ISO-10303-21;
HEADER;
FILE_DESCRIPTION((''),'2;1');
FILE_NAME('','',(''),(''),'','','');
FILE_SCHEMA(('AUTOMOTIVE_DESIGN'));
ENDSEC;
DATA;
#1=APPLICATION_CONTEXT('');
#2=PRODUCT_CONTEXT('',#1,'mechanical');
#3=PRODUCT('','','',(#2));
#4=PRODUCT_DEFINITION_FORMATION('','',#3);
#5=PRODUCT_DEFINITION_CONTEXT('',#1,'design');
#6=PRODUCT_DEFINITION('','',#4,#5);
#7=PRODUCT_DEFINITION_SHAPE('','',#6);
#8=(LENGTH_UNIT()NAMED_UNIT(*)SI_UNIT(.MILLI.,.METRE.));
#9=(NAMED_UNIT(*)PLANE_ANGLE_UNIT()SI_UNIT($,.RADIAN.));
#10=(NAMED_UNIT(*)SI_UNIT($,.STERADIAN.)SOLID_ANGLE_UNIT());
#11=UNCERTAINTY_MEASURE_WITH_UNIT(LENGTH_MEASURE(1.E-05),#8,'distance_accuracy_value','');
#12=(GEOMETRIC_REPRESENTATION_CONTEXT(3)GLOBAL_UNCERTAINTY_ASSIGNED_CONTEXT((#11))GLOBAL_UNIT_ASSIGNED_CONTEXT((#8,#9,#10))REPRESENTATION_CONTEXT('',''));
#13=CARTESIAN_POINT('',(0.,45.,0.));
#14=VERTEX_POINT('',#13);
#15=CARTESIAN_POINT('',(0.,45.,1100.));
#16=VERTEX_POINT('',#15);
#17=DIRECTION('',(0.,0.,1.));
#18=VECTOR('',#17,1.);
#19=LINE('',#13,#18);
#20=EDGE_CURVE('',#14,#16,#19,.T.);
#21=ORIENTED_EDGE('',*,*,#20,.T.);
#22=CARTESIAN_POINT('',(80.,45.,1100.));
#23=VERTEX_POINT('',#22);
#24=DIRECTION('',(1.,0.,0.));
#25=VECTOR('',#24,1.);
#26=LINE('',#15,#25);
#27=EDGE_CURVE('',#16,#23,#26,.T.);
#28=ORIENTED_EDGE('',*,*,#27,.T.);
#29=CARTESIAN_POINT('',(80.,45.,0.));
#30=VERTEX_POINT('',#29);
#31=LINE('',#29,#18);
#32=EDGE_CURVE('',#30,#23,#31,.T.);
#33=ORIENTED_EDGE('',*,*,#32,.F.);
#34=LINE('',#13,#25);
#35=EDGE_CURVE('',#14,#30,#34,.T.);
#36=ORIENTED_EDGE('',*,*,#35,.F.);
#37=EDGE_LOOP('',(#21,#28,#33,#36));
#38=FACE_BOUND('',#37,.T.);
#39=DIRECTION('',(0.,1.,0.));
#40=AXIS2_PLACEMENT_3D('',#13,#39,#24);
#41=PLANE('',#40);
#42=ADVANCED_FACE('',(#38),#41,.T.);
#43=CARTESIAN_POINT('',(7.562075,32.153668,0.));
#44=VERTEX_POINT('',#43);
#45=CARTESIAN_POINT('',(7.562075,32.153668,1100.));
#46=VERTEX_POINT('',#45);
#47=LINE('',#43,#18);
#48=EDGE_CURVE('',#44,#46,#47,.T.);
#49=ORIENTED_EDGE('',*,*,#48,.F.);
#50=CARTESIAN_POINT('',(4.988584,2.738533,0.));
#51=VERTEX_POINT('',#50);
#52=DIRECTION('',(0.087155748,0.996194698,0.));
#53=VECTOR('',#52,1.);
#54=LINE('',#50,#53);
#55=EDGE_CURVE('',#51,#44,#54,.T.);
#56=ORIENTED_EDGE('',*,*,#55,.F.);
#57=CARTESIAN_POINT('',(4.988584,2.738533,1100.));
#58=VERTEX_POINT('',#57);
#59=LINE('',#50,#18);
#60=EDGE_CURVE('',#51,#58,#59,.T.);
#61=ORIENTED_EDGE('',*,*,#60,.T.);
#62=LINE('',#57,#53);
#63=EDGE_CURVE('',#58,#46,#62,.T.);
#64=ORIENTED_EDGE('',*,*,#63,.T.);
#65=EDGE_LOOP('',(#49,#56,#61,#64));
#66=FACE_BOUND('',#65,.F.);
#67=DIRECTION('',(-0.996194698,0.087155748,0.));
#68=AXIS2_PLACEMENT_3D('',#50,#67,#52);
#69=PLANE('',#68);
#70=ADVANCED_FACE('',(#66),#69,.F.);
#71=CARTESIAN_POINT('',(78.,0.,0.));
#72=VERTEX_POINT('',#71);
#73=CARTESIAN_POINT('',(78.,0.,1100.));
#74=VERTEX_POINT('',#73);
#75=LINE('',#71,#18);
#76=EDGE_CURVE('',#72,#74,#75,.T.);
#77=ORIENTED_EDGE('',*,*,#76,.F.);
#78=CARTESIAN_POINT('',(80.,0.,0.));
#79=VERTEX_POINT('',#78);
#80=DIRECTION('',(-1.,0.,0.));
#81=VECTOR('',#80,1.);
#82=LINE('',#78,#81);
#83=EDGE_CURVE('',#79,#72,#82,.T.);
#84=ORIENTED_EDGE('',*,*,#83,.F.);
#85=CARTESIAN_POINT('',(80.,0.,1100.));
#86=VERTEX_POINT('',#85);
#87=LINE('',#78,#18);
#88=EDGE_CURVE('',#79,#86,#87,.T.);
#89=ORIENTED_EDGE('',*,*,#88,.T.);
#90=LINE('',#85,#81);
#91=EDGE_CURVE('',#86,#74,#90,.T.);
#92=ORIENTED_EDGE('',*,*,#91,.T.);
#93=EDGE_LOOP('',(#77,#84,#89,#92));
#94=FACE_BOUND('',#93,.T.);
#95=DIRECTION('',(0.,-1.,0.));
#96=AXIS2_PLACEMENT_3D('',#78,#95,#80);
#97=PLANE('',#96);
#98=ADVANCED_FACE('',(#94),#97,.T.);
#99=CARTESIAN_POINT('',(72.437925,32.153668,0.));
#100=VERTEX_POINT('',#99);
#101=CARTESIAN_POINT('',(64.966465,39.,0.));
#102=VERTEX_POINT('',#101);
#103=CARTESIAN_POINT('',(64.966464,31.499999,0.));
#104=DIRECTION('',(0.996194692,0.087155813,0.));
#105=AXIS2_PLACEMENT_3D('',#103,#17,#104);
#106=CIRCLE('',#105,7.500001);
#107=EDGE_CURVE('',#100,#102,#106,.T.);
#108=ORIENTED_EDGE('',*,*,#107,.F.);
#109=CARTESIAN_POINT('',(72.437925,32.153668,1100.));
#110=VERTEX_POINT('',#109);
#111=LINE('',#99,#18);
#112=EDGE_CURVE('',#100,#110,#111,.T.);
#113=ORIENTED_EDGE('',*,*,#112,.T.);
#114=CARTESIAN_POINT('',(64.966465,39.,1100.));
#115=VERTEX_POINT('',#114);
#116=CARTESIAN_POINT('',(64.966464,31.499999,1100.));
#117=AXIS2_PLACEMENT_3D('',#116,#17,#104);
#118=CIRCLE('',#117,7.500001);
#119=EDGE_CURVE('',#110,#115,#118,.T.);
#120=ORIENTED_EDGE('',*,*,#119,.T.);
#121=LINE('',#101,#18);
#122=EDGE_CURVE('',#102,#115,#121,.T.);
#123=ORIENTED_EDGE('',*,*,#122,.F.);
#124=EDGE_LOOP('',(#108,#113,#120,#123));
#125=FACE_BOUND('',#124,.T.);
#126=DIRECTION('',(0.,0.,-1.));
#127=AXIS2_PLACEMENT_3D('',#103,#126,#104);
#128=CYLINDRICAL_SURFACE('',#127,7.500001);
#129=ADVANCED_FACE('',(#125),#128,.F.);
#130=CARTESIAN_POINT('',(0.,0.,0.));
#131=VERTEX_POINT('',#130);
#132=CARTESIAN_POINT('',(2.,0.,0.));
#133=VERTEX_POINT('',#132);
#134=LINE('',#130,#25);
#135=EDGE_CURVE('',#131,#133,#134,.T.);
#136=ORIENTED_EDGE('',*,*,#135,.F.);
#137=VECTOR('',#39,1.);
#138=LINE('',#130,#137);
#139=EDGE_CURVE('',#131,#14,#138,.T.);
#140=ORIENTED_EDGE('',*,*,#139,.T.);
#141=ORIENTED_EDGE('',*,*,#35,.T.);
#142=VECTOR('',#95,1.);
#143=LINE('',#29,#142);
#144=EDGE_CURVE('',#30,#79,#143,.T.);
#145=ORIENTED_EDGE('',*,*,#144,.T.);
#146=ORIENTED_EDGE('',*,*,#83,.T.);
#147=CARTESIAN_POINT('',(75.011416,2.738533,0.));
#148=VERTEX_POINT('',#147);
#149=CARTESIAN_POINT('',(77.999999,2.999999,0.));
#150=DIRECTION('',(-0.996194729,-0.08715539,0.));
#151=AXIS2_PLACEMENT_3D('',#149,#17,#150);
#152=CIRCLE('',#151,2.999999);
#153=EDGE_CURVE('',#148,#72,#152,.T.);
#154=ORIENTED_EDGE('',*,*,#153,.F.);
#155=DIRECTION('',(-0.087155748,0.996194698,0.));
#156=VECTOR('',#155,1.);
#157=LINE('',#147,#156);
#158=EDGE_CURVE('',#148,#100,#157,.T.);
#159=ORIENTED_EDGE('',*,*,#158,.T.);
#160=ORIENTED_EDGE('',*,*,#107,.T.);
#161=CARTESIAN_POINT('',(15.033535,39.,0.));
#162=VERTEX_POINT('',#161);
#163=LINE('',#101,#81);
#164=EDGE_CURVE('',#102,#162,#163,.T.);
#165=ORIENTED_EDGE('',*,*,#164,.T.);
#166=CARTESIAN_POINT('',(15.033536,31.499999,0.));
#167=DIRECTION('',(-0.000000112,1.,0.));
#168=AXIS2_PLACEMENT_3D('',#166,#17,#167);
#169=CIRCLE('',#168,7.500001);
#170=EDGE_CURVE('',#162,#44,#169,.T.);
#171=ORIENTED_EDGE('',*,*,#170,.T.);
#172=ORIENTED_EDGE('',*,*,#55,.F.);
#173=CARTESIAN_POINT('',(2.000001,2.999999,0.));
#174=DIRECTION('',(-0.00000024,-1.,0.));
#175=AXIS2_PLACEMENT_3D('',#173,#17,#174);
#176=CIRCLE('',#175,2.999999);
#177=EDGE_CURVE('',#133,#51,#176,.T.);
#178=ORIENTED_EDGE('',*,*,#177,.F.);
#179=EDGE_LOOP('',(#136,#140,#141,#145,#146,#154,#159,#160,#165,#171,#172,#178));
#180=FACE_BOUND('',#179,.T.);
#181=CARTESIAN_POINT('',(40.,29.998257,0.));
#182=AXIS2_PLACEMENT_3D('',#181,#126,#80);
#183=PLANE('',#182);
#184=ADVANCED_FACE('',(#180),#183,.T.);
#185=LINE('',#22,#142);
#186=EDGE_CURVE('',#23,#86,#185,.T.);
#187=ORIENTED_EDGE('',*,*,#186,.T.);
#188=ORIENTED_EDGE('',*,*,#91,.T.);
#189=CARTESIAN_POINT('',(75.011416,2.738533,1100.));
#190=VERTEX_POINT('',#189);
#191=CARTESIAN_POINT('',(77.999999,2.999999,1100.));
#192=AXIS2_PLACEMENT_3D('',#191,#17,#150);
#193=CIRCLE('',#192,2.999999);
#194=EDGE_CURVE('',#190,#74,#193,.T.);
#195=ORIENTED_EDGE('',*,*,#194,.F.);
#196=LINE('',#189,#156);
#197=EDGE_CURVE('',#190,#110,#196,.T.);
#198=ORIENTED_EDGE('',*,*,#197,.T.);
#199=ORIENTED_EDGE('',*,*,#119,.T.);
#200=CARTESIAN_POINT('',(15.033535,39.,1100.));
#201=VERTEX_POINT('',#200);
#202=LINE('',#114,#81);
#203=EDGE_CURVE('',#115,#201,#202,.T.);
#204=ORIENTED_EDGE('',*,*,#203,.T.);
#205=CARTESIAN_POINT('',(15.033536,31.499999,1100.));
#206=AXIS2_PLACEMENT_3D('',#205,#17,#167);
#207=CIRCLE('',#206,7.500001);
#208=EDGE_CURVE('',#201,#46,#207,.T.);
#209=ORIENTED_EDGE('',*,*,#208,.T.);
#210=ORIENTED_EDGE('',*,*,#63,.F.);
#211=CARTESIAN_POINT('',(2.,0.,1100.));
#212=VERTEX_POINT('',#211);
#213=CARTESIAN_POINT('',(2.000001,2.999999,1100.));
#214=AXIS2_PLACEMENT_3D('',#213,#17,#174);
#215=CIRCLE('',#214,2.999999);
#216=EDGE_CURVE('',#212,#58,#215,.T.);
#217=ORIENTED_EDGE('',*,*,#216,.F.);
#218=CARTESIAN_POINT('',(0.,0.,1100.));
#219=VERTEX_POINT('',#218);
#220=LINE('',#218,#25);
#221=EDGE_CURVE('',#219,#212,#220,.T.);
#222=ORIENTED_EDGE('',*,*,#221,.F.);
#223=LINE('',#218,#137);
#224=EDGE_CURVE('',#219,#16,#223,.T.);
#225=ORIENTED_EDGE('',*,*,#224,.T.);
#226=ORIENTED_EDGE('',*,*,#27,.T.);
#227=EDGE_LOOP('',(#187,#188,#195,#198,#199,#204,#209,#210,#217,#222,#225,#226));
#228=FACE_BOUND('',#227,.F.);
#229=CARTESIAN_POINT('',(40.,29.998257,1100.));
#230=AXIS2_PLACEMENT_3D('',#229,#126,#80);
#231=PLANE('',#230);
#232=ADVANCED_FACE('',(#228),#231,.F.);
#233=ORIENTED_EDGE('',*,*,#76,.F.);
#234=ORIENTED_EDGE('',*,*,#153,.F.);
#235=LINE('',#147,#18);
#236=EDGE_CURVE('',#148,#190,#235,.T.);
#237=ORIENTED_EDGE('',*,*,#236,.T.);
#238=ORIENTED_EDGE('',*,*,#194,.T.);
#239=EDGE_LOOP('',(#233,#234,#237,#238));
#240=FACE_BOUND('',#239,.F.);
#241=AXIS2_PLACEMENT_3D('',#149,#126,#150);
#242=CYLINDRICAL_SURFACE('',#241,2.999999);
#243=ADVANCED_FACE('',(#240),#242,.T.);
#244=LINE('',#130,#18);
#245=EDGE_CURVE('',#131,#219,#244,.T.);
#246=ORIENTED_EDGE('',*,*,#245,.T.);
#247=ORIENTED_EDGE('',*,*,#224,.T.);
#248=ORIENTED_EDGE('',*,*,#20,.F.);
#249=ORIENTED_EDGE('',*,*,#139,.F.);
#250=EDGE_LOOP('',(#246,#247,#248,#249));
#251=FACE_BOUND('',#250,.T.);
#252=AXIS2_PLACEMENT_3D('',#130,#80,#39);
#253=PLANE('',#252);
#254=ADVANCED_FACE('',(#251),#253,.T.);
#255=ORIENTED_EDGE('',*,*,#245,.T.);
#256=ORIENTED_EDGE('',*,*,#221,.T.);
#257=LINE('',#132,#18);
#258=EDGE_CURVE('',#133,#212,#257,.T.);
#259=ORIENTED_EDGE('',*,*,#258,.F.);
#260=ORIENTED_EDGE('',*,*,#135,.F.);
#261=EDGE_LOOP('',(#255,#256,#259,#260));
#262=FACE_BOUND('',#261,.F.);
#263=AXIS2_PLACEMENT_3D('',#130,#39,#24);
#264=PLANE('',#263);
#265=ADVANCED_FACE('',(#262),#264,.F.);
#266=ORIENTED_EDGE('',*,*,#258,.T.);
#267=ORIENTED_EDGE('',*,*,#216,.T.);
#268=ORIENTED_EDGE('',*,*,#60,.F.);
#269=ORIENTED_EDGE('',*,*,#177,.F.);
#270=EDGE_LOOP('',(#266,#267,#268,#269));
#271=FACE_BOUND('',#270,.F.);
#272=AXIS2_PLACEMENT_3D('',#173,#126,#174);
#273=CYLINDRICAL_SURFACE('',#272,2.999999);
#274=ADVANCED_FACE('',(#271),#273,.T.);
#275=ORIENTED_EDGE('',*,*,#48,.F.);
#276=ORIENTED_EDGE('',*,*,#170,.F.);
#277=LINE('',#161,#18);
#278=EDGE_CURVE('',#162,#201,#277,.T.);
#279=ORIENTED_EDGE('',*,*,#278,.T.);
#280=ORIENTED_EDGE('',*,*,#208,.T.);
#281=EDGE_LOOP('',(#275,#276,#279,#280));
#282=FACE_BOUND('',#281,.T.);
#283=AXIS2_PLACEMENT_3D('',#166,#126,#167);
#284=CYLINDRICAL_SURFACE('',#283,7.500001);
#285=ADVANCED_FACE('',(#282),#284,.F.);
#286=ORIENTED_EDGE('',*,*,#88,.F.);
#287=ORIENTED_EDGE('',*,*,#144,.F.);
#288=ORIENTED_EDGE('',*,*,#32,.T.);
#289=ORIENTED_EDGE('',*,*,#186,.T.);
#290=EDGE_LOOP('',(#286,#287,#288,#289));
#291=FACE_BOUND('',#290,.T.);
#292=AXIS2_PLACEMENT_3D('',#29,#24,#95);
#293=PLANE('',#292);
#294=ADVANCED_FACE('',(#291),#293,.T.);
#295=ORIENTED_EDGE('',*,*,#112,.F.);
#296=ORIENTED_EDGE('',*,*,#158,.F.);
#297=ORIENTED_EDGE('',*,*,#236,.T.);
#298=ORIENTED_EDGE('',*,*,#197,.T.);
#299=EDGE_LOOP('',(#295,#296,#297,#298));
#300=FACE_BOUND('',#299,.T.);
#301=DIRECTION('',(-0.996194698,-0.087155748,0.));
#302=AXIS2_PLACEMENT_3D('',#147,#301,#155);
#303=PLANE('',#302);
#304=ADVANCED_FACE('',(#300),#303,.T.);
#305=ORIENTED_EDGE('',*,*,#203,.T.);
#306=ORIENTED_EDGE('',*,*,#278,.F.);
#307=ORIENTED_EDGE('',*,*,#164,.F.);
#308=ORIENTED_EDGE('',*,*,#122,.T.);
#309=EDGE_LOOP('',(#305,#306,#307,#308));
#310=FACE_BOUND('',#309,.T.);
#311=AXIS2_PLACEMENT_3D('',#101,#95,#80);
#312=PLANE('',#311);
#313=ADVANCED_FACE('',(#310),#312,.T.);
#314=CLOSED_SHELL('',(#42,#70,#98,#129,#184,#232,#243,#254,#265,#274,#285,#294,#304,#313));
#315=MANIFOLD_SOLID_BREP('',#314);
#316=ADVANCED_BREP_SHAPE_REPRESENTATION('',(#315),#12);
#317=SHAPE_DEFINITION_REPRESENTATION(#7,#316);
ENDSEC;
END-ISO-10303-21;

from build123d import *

# Parameters (mm, degrees)
PAD_DEPTH    = 1100
SKETCH001_R  = 6
POCKET_DEPTH = 80.001


with BuildPart() as part:
    # Sketch → Pad (new body)
    with BuildSketch(Plane.XY):
        with BuildLine():
            Line((0, 0), (0, 45))
            Line((0, 45), (80, 45))
            Line((80, 45), (80, 0))
            Line((80, 0), (78, 0))
            ThreePointArc((75.011416, 2.738533), (75.973229, 0.788168), (78, 0))
            Line((75.011416, 2.738533), (72.437925, 32.153668))
            ThreePointArc((72.437925, 32.153668), (70.033391, 37.02958), (64.966465, 39))
            Line((64.966465, 39), (15.033535, 39))
            ThreePointArc((15.033535, 39), (9.966609, 37.02958), (7.562075, 32.153668))
            Line((4.988584, 2.738533), (7.562075, 32.153668))
            ThreePointArc((2, 0), (4.026771, 0.788168), (4.988584, 2.738533))
            Line((0, 0), (2, 0))
        make_face()
    extrude(amount=PAD_DEPTH)

    # Sketch001 (on Face2 of Pad) → Pocket (cut, through all)
    with BuildSketch(Plane(origin=(0, 0, 0), x_dir=(0, -1, 0), z_dir=(-1, 0, 0))):
        with Locations((-62, 1050)):
            Circle(SKETCH001_R)
    extrude(amount=-POCKET_DEPTH, mode=Mode.SUBTRACT)


solid = part.part
